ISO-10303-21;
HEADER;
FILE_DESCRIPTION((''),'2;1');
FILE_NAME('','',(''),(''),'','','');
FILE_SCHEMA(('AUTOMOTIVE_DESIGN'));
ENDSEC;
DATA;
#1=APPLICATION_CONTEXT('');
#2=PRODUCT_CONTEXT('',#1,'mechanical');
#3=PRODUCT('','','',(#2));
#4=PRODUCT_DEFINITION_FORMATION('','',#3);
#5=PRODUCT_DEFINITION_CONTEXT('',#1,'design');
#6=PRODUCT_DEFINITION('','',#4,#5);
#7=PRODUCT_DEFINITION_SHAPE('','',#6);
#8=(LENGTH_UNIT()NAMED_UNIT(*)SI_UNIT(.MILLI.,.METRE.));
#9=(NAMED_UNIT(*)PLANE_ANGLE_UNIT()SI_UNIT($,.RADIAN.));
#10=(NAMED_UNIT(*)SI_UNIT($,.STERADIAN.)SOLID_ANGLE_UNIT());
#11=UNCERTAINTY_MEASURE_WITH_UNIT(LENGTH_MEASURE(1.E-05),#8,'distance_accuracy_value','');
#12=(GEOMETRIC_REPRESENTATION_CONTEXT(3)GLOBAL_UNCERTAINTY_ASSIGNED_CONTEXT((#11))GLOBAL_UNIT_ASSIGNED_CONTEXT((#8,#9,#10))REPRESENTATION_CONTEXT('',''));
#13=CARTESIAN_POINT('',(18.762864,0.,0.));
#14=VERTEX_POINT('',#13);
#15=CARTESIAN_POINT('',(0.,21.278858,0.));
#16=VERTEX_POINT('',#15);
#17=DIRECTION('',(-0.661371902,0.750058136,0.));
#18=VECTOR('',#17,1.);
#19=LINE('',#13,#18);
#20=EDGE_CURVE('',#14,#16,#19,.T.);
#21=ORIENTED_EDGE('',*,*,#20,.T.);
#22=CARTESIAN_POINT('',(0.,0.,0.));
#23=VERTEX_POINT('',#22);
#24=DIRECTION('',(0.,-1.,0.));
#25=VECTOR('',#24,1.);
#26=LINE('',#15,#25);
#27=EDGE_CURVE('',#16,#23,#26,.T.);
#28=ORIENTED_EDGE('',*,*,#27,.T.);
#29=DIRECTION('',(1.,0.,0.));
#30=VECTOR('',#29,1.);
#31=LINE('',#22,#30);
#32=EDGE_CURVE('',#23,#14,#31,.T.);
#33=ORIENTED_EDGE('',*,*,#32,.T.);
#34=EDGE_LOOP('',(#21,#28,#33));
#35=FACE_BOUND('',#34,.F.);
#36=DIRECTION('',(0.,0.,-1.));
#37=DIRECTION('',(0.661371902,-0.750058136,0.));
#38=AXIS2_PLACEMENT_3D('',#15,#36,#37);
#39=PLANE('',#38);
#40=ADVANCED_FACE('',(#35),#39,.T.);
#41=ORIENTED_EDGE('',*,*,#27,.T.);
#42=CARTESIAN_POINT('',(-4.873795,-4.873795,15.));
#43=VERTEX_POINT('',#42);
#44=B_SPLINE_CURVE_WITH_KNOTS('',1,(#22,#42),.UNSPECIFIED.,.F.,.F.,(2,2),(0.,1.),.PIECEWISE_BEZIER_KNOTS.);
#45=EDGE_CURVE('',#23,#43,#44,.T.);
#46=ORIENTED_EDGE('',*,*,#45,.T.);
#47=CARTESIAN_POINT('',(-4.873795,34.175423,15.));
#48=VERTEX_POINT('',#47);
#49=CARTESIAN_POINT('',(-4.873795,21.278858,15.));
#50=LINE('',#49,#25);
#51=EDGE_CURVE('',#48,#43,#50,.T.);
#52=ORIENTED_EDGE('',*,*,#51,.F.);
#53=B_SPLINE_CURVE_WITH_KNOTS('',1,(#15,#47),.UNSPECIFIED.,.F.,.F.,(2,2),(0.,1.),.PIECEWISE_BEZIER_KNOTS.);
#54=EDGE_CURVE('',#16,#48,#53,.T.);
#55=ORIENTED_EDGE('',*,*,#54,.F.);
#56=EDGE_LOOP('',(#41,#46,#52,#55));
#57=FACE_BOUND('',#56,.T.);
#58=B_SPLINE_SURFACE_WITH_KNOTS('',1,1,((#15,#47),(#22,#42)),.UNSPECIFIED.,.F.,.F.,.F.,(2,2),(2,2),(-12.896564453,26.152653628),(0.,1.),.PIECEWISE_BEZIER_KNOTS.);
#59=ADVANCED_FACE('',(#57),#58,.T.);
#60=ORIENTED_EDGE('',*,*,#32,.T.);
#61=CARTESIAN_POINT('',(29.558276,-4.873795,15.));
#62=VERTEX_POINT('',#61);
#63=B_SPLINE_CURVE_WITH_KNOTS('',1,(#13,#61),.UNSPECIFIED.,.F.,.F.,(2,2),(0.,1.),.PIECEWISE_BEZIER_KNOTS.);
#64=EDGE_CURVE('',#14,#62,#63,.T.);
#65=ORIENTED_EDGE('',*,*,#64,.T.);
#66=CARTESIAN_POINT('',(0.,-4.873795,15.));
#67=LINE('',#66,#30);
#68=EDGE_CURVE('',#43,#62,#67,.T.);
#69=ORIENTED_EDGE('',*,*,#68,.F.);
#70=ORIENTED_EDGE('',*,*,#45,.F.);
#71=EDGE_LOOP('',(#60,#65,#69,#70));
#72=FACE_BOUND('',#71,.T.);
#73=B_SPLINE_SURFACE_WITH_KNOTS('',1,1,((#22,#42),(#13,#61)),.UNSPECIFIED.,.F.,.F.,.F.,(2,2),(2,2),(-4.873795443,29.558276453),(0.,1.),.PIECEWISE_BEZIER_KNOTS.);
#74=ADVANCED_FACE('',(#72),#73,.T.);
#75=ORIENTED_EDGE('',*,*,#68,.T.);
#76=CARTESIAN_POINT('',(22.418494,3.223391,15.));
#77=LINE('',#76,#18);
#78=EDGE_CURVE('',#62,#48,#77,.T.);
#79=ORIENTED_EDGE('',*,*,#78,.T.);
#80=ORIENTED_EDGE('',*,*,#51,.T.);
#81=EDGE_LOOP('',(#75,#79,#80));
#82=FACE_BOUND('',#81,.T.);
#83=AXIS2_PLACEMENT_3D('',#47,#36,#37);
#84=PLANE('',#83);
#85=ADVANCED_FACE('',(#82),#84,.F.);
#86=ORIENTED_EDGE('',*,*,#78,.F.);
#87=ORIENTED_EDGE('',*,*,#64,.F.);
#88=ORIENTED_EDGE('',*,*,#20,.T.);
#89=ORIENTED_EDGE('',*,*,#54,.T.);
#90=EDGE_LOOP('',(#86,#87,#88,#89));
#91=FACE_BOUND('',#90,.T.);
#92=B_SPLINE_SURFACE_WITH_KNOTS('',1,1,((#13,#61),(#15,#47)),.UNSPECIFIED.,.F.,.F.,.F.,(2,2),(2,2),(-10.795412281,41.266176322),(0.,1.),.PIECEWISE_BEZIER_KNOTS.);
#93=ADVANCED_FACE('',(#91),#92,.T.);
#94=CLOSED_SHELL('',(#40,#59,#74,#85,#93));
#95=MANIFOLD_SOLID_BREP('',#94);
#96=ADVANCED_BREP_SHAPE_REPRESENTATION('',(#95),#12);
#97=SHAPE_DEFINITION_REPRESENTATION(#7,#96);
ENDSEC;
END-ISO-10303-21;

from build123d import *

# Parameters (mm, degrees)
F1_DEPTH = 15
F1_TAPER = -18


with BuildPart() as f1:
    # F0 (on Top) → F1 (new body)
    with BuildSketch(Plane.XY):
        Polygon((0, 21.2788581848), (0, 0), (17.0422513038, 0), (18.7628641725, 0), align=None)
    extrude(amount=F1_DEPTH, taper=F1_TAPER)


solid = f1.part
